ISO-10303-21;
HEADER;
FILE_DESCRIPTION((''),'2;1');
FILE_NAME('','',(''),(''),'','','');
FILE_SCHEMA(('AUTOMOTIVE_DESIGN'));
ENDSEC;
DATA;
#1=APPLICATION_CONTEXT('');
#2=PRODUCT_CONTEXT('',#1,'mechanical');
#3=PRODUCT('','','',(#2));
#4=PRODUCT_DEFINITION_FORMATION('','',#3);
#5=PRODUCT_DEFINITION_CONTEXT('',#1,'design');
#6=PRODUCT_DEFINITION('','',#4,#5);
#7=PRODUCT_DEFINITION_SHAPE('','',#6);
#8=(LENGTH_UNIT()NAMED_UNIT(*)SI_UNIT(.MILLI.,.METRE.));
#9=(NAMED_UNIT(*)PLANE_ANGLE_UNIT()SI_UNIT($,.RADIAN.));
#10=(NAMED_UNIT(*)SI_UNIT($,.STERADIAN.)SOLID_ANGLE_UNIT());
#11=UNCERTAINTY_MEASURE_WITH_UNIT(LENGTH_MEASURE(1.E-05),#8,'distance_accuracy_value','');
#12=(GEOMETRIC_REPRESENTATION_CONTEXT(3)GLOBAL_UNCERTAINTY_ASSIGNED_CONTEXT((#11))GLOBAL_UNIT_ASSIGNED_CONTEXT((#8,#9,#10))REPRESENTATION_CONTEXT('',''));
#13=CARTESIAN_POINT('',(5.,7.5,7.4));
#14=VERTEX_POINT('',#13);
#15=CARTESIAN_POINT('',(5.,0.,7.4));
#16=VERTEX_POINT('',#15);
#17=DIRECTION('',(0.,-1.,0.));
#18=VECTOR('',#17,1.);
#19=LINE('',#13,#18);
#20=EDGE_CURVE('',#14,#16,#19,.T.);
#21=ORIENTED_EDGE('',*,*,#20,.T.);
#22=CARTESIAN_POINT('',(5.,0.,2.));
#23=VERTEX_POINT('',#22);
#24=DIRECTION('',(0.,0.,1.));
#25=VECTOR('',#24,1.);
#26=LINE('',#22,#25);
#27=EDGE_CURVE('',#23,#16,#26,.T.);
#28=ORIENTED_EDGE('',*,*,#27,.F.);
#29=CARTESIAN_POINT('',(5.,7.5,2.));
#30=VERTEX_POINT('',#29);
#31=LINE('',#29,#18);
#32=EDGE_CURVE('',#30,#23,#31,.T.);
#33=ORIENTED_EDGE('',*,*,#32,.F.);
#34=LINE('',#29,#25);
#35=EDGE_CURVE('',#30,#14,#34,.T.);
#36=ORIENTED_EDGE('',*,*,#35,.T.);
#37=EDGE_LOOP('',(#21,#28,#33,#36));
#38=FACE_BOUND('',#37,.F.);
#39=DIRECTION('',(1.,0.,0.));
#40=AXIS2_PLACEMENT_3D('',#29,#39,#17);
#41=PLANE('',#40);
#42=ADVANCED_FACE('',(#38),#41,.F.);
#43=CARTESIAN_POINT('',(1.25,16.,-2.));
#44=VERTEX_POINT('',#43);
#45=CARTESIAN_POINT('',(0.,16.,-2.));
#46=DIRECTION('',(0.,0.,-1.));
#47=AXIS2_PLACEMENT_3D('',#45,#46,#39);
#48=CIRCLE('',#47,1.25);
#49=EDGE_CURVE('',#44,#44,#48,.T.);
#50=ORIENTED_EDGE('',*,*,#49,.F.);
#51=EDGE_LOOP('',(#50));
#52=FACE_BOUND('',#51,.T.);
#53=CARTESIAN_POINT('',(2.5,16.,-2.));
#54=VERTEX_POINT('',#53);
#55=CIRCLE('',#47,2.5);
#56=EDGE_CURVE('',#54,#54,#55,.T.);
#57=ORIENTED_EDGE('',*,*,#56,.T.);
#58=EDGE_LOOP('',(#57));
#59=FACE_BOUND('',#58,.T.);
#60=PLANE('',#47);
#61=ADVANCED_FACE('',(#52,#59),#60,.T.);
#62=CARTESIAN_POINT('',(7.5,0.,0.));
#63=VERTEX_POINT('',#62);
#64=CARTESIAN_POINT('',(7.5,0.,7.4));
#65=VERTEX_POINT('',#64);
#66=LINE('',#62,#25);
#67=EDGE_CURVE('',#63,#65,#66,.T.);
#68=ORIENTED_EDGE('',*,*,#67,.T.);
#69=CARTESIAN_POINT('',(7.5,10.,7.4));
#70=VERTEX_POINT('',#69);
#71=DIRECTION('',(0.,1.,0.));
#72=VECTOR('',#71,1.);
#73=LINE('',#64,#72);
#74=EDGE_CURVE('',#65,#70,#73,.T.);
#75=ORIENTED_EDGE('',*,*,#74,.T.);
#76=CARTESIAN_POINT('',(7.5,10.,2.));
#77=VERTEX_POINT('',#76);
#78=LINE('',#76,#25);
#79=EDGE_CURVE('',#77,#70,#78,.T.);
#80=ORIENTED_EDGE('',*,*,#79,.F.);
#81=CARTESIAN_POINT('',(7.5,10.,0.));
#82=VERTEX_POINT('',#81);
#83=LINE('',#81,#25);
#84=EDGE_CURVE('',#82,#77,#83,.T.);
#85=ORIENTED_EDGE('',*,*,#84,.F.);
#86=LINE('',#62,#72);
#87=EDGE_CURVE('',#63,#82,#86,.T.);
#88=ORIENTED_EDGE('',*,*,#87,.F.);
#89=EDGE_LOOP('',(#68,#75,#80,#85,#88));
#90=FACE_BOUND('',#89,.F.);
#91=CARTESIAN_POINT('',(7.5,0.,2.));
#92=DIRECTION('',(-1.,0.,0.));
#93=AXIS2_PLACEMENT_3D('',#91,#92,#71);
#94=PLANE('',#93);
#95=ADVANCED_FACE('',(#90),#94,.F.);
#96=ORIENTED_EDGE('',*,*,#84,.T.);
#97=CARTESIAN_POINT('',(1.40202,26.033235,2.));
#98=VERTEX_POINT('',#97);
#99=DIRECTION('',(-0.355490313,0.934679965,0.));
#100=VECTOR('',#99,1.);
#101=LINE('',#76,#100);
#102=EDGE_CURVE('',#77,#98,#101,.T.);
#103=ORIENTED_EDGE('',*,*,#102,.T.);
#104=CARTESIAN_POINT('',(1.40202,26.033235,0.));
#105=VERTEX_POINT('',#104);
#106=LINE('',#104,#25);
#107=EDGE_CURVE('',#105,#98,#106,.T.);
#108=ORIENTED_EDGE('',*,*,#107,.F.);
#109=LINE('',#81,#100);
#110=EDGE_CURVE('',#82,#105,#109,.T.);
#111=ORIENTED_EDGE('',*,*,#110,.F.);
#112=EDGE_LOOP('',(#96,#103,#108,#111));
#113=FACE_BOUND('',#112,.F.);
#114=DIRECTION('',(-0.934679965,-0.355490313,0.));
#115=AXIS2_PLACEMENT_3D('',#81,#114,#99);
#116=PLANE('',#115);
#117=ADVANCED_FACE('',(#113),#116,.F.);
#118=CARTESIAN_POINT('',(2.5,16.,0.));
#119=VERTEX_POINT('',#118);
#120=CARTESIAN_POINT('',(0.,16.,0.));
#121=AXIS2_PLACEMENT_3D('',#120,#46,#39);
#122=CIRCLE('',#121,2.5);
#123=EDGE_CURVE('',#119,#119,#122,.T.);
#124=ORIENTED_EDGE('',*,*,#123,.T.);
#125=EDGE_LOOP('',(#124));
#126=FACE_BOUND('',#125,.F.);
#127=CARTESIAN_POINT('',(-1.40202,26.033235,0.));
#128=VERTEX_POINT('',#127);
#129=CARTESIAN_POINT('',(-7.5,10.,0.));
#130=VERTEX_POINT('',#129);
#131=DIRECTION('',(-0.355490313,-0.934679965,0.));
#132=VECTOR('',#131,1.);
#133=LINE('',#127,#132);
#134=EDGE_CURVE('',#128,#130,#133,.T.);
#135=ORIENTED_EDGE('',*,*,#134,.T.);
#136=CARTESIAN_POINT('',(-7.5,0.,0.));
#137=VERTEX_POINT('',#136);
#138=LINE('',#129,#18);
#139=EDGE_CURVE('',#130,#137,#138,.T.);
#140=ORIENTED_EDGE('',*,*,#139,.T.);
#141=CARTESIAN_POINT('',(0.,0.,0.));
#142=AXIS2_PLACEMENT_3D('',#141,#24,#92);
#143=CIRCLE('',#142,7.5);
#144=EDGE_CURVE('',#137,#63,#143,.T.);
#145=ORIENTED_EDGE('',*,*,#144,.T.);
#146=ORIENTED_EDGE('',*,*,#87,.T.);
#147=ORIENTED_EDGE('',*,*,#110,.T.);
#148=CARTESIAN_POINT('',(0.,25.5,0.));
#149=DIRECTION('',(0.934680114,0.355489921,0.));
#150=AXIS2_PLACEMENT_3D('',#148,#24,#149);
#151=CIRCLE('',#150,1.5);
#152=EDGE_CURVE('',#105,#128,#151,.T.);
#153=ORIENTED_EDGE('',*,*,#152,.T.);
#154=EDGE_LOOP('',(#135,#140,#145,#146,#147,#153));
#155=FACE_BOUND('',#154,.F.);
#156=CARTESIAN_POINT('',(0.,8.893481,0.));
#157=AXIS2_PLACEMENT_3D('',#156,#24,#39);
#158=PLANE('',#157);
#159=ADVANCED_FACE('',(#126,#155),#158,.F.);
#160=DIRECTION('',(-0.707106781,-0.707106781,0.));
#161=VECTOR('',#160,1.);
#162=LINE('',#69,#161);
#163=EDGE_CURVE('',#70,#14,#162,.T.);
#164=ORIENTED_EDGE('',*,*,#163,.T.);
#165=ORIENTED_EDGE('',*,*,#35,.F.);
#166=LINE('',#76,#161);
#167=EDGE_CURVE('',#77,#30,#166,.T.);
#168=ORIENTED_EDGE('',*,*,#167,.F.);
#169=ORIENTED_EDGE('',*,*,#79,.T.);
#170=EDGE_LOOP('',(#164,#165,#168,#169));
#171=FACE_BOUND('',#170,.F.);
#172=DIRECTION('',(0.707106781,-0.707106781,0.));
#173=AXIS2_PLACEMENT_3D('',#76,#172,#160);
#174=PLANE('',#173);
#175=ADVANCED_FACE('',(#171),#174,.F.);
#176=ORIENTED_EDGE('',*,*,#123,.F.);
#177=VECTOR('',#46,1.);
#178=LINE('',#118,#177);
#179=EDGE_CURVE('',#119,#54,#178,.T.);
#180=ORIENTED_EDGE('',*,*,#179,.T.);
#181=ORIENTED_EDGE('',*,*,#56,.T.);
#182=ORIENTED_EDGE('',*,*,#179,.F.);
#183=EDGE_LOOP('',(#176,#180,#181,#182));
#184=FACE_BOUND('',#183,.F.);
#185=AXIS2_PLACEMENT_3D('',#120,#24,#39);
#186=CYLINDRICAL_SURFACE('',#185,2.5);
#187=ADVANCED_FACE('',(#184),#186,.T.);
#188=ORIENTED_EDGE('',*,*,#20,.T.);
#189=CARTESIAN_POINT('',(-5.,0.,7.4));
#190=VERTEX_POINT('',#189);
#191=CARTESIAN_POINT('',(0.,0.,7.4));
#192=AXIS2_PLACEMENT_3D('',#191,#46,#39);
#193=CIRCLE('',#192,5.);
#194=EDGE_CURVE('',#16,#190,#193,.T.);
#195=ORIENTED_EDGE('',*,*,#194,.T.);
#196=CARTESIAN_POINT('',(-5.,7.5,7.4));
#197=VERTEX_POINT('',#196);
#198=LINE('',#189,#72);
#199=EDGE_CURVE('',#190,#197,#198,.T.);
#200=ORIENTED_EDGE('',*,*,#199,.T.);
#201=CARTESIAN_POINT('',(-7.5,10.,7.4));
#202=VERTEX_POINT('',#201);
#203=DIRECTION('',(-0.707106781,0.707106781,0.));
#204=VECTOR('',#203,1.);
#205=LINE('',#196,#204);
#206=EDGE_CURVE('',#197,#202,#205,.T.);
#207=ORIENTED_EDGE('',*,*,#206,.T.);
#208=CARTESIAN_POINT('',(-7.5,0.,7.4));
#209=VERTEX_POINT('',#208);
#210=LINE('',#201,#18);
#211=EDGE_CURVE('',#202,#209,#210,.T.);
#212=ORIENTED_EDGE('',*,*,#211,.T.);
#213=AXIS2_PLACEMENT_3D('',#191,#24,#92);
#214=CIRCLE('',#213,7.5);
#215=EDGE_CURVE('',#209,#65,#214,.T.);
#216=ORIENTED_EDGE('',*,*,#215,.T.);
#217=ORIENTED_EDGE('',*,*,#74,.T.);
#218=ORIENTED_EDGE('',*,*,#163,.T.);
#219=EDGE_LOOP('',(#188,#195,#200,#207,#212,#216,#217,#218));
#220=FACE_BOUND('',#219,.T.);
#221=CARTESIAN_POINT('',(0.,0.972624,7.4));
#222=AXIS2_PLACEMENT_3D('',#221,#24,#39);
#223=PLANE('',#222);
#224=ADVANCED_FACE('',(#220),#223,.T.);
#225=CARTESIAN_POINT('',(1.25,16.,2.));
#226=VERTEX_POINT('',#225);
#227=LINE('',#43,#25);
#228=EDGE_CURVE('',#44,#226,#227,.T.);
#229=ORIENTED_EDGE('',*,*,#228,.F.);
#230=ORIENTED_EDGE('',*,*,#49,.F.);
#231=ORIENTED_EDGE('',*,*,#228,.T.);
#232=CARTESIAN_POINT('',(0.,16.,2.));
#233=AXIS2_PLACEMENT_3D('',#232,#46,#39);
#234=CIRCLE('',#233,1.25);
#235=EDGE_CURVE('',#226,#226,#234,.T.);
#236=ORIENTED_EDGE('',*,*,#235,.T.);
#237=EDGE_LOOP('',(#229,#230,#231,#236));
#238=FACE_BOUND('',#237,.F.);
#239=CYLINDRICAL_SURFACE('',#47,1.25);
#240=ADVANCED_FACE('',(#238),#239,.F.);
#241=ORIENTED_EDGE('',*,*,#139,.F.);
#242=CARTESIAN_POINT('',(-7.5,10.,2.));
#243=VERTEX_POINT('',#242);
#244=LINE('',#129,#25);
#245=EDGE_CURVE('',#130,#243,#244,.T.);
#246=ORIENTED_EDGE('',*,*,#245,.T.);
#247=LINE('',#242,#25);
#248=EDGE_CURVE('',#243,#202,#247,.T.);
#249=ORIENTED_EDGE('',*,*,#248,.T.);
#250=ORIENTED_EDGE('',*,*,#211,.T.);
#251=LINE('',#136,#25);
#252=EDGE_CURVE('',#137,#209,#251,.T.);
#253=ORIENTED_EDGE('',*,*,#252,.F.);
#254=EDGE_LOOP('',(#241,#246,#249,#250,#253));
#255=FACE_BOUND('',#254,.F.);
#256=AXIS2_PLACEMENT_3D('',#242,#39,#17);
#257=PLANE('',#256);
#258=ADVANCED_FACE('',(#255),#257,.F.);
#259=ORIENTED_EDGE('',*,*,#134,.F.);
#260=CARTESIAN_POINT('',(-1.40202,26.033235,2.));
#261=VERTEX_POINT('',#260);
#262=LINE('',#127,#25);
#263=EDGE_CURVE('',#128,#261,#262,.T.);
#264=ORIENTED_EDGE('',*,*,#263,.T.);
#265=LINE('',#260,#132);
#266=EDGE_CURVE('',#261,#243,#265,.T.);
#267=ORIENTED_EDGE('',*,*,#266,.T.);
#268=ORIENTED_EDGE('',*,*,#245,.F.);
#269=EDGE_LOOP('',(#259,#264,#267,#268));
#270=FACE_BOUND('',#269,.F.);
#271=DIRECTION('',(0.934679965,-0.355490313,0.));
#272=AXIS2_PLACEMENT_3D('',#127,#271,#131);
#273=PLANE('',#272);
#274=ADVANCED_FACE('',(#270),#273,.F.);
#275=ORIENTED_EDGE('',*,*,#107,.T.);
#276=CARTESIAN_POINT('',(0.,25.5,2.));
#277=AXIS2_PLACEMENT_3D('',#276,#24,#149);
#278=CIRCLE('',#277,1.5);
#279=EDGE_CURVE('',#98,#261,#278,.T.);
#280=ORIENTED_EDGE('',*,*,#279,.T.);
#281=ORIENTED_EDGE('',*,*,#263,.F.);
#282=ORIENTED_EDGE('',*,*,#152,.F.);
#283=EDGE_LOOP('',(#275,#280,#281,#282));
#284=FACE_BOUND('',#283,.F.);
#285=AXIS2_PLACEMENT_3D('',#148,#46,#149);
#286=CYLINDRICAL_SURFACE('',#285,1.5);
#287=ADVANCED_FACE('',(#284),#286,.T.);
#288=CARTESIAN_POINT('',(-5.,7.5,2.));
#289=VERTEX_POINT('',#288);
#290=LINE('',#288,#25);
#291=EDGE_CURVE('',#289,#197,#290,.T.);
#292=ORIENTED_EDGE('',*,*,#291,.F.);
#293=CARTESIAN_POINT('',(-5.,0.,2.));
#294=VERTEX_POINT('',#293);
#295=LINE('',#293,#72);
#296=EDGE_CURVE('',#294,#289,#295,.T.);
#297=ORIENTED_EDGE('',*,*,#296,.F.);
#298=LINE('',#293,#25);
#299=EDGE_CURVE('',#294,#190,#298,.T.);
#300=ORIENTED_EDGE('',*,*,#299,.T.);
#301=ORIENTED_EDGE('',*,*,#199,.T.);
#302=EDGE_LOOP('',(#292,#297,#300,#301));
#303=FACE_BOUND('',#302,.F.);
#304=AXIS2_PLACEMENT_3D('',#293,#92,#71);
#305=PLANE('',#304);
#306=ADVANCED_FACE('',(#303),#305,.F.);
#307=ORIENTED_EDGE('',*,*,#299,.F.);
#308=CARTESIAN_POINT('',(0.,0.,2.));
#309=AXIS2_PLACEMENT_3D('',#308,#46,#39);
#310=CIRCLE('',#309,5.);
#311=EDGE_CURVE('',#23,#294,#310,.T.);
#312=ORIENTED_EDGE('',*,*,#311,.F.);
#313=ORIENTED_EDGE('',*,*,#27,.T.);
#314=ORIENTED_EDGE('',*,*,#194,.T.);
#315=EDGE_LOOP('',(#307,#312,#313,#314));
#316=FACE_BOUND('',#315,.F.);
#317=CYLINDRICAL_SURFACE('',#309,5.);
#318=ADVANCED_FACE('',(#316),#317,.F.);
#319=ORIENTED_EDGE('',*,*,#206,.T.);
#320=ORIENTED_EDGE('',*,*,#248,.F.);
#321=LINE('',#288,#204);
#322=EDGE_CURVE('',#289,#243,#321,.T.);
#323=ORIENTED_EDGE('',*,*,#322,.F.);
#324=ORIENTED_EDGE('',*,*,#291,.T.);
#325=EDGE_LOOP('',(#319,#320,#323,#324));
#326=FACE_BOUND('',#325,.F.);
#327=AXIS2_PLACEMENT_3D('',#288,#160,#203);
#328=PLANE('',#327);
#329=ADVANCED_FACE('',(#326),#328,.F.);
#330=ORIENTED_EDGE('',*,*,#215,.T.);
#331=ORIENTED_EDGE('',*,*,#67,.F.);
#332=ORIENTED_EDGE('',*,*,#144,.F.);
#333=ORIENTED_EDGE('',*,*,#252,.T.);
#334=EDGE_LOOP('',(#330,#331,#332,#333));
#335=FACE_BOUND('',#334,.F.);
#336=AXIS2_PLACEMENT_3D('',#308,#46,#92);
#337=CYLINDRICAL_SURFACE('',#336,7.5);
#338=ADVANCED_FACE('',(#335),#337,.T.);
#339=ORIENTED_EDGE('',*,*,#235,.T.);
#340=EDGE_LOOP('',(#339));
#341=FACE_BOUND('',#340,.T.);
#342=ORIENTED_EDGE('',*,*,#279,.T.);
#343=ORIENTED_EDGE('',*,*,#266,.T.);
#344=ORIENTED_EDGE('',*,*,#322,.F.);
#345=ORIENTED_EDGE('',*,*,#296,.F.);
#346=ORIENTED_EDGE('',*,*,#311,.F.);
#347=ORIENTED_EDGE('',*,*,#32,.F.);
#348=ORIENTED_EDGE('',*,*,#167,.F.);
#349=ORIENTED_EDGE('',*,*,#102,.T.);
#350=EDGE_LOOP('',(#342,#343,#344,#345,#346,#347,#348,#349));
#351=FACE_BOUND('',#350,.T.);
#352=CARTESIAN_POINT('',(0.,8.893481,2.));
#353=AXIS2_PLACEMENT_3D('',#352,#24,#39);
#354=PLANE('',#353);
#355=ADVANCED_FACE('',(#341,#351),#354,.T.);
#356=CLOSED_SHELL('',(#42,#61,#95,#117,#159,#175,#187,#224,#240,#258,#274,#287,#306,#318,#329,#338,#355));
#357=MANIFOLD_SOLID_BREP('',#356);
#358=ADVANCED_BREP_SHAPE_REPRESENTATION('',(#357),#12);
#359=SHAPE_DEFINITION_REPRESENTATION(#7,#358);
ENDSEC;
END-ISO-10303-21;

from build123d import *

# Parameters (mm, degrees)
F1_DEPTH = 2
F3_DEPTH = 5.4
F4_R     = 2.5
F5_DEPTH = 2
F6_R     = 1.25
F7_DEPTH = 25


with BuildPart() as f1:
    # F0 (on Top) → F1 (new body)
    with BuildSketch(Plane.XY):
        with BuildLine():
            Line((-7.5, 10), (-7.5, 0))
            ThreePointArc((-7.5, 0), (0, -7.5), (7.5, 0))
            Line((7.5, 0), (7.5, 10))
            Line((7.5, 10), (1.40202, 26.033235))
            ThreePointArc((1.40202, 26.033235), (0, 27), (-1.40202, 26.033235))
            Line((-1.40202, 26.033235), (-7.5, 10))
        make_face()
    extrude(amount=F1_DEPTH)

    # F2 (on face) → F3 (join)
    with BuildSketch(Plane.XY.offset(2)):
        with BuildLine():
            Line((-7.5, 10), (-7.5, 0))
            ThreePointArc((-7.5, 0), (0, -7.5), (7.5, 0))
            Line((7.5, 0), (7.5, 10))
            Line((7.5, 10), (5, 7.5))
            Line((5, 7.5), (5, 0))
            ThreePointArc((5, 0), (0, -5), (-5, 0))
            Line((-5, 0), (-5, 7.5))
            Line((-5, 7.5), (-7.5, 10))
        make_face()
    extrude(amount=F3_DEPTH)

    # F4 (on face) → F5 (join)
    with BuildSketch(Plane(origin=(0, 0, 0), x_dir=(1, 0, 0), z_dir=(0, 0, -1))):
        with Locations((0, -16)):
            Circle(F4_R)
    extrude(amount=F5_DEPTH)

    # F6 (on face) → F7 (cut)
    with BuildSketch(Plane(origin=(0, 0, -2), x_dir=(1, 0, 0), z_dir=(0, 0, -1))):
        with Locations((0, -16)):
            Circle(F6_R)
    extrude(amount=-F7_DEPTH, mode=Mode.SUBTRACT)


solid = f1.part
